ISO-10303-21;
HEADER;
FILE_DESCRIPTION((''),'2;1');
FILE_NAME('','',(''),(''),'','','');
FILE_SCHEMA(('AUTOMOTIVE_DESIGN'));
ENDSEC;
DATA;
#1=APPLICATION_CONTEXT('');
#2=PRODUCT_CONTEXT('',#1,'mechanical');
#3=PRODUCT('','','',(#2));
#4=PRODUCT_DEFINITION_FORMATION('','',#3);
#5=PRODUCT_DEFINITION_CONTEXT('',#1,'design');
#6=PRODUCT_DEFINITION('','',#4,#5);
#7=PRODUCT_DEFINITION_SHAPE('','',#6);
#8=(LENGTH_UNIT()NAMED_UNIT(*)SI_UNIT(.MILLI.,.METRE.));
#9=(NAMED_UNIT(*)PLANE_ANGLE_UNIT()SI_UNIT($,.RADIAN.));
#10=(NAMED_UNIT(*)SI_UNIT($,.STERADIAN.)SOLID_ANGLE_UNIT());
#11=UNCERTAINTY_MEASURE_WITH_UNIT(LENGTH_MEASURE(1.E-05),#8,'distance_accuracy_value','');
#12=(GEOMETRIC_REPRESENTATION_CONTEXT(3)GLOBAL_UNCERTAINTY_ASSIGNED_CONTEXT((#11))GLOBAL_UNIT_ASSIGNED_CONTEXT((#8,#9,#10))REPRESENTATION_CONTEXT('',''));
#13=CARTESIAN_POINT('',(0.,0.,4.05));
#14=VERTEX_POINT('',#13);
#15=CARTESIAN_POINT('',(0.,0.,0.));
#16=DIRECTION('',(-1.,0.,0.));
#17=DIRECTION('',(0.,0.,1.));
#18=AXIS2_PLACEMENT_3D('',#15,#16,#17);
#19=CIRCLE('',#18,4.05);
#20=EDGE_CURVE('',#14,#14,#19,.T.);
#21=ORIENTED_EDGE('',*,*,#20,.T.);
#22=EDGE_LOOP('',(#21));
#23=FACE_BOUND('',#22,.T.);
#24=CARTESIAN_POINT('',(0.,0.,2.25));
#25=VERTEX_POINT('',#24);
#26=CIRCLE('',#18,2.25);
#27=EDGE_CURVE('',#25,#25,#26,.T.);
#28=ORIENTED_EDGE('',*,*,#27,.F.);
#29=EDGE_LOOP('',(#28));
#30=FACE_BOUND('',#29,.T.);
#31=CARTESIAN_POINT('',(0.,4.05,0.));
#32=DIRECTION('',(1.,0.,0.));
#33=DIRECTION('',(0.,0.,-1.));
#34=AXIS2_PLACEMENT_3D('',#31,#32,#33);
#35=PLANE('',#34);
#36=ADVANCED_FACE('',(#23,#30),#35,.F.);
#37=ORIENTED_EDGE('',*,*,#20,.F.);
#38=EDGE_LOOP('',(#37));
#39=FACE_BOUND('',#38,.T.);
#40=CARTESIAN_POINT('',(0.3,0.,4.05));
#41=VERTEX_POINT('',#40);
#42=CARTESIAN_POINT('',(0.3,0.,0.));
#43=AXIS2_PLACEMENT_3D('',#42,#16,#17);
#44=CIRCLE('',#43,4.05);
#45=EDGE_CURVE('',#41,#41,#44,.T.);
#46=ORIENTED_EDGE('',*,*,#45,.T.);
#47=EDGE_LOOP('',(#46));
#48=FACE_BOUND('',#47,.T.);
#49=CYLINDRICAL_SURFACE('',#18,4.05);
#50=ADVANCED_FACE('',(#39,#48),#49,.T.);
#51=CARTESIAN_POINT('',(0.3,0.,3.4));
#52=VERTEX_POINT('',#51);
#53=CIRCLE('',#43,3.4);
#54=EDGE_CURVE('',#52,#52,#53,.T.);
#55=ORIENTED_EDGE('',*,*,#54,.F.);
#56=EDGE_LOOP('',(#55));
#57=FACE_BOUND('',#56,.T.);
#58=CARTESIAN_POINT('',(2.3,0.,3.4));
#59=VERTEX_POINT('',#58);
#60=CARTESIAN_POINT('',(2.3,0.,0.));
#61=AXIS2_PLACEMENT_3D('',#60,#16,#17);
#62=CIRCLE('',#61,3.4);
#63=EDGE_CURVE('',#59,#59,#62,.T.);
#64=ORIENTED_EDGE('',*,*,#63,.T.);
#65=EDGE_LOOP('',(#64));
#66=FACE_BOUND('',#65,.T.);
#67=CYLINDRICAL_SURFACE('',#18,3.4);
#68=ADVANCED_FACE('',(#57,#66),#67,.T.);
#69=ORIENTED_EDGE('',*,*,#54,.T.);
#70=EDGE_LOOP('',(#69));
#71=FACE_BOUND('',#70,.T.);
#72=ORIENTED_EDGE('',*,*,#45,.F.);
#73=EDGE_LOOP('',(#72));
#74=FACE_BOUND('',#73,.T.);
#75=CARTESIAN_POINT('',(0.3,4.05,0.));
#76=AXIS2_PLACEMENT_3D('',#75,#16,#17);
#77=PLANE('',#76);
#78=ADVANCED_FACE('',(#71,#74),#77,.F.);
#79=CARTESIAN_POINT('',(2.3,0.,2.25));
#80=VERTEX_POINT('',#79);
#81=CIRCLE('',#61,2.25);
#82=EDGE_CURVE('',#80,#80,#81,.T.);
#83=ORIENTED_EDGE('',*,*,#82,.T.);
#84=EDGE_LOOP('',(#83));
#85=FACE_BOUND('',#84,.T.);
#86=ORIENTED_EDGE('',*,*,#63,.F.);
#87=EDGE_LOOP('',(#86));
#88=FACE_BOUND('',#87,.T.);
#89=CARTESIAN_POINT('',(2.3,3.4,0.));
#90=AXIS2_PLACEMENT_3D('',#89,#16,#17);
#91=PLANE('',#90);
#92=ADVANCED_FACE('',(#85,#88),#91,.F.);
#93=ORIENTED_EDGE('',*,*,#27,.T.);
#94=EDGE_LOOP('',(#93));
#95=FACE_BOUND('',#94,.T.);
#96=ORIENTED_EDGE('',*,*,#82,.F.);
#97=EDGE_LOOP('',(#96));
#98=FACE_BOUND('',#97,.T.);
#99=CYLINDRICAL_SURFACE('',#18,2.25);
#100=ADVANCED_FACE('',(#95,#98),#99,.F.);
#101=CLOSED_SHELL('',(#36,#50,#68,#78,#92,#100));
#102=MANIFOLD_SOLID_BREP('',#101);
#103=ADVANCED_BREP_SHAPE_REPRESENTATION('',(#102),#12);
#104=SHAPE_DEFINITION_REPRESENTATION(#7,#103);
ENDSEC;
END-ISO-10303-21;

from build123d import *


with BuildPart() as part:
    # Sketch1 → Revolve1 (revolve)
    with BuildSketch(Plane.XY, mode=Mode.PRIVATE) as revolve1_sk:
        Polygon((0, 4.05), (0.3, 4.05), (0.3, 3.4), (2.3, 3.4), (2.3, 2.25), (0, 2.25), align=None)
    revolve(revolve1_sk.sketch.rotate(Axis((0, 0, 0), (1, 0, 0)), 90), axis=Axis((0, 0, 0), (1, 0, 0)))


solid = part.part
